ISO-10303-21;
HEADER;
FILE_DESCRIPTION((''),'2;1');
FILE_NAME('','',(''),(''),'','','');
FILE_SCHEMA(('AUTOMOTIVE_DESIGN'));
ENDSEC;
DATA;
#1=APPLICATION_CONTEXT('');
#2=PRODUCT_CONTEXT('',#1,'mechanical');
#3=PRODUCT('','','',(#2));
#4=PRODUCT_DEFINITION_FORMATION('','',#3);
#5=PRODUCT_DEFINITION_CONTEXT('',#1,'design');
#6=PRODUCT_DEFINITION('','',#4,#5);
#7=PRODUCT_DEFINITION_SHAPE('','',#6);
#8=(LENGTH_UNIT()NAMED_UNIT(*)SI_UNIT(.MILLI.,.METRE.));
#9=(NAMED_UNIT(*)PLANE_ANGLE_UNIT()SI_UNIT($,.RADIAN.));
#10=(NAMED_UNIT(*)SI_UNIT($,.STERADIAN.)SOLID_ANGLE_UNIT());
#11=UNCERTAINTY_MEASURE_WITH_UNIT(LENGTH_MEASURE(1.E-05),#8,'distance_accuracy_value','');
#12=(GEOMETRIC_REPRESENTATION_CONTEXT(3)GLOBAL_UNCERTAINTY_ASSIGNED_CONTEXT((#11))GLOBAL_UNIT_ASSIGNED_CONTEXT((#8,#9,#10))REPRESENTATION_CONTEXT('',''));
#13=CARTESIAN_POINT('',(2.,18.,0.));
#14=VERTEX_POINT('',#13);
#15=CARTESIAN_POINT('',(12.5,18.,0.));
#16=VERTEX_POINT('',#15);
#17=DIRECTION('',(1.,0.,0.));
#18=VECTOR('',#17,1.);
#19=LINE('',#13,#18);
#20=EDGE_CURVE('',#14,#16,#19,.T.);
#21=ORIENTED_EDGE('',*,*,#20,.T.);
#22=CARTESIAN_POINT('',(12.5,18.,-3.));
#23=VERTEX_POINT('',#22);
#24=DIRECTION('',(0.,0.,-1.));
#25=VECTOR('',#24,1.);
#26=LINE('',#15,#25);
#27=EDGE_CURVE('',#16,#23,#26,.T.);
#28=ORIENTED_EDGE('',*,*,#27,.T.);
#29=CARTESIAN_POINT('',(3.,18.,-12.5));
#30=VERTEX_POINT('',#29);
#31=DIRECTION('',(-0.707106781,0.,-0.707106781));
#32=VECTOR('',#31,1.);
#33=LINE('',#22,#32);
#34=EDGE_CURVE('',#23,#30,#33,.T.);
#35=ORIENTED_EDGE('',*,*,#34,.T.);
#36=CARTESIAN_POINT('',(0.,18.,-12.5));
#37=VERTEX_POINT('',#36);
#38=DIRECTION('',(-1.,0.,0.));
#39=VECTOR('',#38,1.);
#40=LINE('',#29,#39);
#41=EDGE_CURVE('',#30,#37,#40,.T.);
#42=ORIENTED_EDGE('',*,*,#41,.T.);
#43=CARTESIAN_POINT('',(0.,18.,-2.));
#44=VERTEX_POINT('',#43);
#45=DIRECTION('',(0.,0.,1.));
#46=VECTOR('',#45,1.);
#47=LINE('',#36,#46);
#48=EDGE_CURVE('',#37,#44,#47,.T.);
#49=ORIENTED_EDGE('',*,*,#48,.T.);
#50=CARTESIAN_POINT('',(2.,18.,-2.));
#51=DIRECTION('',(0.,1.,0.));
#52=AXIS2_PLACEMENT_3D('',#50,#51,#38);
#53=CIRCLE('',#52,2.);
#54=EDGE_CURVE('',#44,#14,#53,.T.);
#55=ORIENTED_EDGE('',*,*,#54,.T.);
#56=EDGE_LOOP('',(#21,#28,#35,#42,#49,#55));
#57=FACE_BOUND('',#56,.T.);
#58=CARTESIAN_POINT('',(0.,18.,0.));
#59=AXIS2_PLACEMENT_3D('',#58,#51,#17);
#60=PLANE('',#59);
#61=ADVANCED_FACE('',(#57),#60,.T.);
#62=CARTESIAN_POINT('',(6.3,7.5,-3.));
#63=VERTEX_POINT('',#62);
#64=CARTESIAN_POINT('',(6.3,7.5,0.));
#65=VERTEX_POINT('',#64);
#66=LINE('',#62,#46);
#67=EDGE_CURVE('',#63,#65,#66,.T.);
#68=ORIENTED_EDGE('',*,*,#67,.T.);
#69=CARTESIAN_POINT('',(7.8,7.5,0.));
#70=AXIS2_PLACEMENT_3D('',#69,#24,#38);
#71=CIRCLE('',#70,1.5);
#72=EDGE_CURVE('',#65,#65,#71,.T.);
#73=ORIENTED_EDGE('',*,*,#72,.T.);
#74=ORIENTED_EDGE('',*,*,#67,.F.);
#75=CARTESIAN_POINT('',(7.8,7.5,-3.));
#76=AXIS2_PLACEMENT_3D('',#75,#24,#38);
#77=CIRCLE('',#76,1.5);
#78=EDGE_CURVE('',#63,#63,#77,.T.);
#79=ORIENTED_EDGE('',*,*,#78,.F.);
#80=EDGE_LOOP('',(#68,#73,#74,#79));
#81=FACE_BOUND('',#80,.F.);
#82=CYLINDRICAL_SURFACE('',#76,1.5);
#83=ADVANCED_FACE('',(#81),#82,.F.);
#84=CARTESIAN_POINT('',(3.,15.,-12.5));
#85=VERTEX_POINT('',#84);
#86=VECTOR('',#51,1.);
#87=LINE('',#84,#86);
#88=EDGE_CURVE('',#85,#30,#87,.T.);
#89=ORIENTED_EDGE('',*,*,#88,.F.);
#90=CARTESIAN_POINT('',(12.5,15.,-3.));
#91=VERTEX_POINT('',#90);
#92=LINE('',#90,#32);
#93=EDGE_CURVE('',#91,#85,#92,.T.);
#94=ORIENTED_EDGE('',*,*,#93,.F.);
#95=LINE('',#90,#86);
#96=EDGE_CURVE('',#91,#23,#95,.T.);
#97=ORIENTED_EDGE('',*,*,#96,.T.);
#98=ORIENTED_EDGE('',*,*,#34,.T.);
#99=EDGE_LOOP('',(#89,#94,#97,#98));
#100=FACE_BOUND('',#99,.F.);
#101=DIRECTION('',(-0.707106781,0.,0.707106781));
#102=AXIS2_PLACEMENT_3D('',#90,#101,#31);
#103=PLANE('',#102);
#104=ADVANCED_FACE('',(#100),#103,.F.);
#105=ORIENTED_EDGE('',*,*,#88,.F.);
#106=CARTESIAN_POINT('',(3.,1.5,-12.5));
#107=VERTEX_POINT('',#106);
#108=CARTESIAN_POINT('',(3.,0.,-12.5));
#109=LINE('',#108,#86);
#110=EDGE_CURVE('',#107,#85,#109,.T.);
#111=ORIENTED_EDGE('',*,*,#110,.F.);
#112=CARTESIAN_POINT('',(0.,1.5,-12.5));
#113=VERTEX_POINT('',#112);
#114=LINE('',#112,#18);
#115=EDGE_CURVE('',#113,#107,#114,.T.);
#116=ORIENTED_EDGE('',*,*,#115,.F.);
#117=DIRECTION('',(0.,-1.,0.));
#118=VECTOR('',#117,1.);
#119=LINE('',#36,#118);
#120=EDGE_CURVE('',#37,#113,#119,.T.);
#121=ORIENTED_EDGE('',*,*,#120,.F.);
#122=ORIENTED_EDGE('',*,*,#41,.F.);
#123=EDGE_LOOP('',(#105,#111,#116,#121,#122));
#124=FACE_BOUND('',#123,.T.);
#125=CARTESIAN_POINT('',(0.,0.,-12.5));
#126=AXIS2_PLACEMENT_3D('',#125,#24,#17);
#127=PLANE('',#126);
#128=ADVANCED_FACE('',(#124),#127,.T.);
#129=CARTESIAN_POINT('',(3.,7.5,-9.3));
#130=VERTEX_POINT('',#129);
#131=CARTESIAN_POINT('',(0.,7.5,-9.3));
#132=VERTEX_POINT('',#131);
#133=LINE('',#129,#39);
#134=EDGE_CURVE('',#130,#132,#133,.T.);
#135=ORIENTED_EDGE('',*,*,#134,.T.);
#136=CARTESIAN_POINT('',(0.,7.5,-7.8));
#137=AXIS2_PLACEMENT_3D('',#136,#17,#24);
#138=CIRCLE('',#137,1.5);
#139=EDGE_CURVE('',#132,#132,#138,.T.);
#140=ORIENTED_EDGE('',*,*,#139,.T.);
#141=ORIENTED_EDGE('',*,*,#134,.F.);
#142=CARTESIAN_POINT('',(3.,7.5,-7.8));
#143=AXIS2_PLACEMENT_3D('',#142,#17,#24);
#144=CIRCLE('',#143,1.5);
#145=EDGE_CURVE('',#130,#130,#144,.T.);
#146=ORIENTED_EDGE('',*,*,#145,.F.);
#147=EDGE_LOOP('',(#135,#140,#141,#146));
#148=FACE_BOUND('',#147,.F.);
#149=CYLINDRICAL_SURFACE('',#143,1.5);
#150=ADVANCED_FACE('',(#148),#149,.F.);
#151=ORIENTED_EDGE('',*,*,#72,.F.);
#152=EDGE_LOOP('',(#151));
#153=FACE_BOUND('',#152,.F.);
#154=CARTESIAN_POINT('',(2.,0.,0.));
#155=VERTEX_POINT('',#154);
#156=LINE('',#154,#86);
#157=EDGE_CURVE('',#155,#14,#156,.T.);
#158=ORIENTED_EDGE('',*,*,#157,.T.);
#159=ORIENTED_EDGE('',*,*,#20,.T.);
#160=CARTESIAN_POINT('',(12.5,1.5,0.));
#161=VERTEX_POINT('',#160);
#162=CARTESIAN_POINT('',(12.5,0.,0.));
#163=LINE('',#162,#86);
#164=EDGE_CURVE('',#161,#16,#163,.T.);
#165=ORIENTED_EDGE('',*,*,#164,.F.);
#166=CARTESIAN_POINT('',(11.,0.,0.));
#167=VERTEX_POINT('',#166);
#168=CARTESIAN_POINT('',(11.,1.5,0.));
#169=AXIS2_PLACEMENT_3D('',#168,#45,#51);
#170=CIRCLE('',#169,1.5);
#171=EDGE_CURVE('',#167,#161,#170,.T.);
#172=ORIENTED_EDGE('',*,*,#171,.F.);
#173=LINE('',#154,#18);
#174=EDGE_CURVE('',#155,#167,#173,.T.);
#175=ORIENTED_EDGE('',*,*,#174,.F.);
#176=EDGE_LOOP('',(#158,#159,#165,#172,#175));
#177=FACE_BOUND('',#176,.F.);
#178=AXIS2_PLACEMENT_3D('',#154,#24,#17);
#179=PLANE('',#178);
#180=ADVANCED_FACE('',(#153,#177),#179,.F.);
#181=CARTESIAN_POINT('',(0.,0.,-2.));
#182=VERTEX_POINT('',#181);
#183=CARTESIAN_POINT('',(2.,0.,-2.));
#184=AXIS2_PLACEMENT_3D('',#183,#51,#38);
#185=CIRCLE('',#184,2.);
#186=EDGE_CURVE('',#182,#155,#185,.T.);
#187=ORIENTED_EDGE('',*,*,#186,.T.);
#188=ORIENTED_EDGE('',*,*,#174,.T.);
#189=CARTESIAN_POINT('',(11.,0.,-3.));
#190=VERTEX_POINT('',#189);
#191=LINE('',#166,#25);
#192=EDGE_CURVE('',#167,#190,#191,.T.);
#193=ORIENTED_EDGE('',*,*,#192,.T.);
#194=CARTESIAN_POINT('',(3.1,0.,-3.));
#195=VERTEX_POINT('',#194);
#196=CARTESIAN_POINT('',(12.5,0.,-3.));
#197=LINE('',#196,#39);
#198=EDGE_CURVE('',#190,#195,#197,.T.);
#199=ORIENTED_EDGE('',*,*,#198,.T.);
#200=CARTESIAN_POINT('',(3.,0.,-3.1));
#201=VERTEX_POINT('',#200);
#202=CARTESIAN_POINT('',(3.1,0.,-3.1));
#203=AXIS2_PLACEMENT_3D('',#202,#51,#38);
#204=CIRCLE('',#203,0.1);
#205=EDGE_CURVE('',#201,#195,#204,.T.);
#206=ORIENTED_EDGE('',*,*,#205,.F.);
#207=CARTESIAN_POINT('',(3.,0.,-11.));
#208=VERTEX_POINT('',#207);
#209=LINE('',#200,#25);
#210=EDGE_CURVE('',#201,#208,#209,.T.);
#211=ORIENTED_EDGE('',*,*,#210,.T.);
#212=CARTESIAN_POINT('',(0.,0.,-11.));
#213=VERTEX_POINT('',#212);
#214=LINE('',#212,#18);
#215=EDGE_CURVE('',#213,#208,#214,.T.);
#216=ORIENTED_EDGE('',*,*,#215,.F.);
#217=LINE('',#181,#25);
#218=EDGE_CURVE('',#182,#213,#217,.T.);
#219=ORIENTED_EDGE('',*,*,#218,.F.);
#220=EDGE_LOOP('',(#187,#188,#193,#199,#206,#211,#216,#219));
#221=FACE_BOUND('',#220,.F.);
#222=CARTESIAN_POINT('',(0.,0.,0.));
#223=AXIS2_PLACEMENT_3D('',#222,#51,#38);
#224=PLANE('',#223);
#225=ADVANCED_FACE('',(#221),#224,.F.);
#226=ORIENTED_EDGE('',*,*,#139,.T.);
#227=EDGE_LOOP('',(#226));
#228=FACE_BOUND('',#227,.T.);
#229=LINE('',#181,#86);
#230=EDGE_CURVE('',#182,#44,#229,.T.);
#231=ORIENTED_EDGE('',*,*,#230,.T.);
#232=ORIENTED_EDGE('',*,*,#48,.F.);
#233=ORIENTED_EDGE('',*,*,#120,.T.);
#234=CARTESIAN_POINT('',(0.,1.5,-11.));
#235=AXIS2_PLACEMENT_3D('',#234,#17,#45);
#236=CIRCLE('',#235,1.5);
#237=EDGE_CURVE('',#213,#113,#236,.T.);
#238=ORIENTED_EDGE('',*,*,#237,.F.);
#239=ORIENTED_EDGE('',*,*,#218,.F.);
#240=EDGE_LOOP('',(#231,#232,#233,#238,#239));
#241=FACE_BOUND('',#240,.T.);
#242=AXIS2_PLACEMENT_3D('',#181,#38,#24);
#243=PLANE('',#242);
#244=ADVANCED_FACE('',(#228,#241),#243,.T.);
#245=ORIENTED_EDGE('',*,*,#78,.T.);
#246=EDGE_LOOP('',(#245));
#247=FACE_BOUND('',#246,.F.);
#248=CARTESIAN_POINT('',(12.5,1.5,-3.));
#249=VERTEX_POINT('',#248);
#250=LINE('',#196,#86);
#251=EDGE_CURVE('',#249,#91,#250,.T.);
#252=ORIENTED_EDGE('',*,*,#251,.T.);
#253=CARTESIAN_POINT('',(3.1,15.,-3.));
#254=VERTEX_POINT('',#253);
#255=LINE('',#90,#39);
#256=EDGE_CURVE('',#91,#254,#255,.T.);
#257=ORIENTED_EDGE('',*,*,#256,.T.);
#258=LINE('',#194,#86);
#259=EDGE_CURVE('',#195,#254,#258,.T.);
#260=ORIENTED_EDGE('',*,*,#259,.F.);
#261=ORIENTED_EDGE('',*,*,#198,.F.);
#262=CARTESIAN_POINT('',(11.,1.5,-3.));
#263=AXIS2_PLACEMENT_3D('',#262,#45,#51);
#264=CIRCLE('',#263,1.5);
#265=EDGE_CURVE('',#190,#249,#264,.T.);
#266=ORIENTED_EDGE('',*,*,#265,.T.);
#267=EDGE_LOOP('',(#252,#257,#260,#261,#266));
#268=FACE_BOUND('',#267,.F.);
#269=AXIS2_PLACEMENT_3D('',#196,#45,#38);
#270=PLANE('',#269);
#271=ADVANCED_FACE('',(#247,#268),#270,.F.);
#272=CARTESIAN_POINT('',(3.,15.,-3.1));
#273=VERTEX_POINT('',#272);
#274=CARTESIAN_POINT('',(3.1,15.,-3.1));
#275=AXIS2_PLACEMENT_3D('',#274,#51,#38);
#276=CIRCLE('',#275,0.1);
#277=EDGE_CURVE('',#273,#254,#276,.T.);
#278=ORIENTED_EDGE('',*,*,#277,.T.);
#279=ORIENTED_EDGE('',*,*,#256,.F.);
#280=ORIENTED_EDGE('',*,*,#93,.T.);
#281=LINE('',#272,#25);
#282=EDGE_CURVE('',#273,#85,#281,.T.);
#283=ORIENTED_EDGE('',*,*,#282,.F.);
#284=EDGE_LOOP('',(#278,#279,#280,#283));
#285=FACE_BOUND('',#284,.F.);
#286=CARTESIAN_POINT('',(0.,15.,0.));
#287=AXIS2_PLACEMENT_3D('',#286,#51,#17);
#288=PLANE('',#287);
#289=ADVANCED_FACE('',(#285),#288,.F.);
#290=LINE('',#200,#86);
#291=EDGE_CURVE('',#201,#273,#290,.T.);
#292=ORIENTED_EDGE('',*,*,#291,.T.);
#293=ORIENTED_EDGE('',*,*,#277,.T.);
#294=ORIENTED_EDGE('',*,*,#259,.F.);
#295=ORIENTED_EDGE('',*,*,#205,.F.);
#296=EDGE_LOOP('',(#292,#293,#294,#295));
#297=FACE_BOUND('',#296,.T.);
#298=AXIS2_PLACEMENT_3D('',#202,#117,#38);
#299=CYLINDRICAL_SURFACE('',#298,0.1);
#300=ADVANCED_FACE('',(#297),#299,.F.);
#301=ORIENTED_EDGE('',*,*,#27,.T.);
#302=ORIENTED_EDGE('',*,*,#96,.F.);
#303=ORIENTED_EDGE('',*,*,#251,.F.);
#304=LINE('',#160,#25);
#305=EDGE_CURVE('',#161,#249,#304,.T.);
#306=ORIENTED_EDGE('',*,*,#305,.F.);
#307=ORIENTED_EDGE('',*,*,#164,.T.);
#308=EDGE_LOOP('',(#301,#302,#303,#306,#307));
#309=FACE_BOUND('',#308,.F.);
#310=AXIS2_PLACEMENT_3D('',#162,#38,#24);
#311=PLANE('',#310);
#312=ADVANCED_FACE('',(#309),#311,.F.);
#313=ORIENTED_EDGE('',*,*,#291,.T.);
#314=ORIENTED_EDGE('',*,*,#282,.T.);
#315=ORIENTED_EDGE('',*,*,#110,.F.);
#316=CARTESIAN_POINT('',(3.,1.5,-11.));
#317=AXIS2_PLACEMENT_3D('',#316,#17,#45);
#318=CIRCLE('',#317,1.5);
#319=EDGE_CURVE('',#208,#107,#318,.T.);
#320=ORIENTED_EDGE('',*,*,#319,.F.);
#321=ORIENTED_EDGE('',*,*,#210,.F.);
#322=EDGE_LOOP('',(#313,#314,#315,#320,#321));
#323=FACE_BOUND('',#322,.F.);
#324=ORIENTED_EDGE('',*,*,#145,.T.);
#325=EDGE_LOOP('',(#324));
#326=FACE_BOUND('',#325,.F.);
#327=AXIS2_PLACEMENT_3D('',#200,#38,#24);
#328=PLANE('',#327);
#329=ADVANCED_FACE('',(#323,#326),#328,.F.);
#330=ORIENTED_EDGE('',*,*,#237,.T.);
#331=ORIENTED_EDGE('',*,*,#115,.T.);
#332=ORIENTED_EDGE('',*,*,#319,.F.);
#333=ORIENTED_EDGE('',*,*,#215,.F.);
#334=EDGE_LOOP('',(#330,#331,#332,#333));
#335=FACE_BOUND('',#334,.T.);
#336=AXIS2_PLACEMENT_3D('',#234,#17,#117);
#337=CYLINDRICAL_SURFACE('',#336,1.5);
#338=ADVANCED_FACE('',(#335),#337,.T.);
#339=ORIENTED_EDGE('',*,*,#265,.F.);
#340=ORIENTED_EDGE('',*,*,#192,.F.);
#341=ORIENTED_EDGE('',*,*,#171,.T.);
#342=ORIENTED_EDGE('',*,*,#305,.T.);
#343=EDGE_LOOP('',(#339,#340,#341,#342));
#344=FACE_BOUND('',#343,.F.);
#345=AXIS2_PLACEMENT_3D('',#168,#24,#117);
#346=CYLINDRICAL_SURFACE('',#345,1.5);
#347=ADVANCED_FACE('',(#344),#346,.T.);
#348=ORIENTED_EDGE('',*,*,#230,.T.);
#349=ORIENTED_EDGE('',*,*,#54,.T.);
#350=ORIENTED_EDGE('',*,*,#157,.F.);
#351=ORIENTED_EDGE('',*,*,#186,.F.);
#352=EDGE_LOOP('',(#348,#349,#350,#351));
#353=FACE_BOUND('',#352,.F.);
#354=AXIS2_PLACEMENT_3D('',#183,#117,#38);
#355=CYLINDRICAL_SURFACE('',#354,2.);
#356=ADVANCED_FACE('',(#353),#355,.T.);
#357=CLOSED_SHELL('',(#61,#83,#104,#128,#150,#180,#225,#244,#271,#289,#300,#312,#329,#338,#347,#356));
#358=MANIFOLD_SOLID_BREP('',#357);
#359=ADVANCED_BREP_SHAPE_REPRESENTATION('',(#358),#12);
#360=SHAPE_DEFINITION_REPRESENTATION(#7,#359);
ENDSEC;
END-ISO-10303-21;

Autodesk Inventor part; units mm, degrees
ref_plane "YZ Plane" through (0, 0, 0) normal (1, 0, 0) x (0, 1, 0)
ref_plane "XZ Plane" through (0, 0, 0) normal (0, 1, 0) x (-1, 0, 0)
ref_plane "XY Plane" through (0, 0, 0) normal (0, 0, 1) x (1, 0, 0)
sketch "Sketch1" plane through (0, 0, 0) normal (0, 1, 0) x (-1, 0, 0)
  line L0 (0, -2) -> (0, -12.5)
  line L1 (0, -12.5) -> (-3, -12.5)
  line L2 (-2, 0) -> (-12.5, 0)
  line L3 (-12.5, 0) -> (-12.5, -3)
  line L4 (-12.5, -3) -> (-3.1, -3)
  line L5 (-3, -3.1) -> (-3, -12.5)
  line L6 (0, 0) -> (-12.1249, -12.1249) construction
  arc A0 (-3, -3.1) -> (-3.1, -3) centre (-3.1, -3.1) ccw
  arc A1 (0, -2) -> (-2, 0) centre (-2, -2) ccw
  line L7 (-15.0828, 0) -> (2.9971, 0) projected
  point P0 (-3, -3)
  dimension "d4" = 3
  dimension "d8" = 0.1
  dimension "d9" = 2
  dimension "d16" = 90
  dimension "d17" = 12.5
extrude "Extrusion1" add sketch "Sketch1" along normal blind 15
sketch "Sketch2" plane through (0, 15, 0) normal (0, 1, 0) x (1, 0, 0)
  line L0 (0, 12.5) -> (0, 2) projected
  line L1 (2, 0) -> (12.5, 0) projected
  line L2 (12.5, 0) -> (12.5, 3) projected
  line L3 (12.5, 3) -> (3.1, 3) projected
  line L4 (3, 3.1) -> (3, 12.5) projected
  line L5 (3, 12.5) -> (0, 12.5) projected
  line L6 (12.5, 3) -> (3, 12.5)
  arc A0 (0, 2) -> (2, 0) centre (2, 2) ccw projected
  arc A1 (3, 3.1) -> (3.1, 3) centre (3.1, 3.1) ccw projected
  point P0 (0, 0)
extrude "Extrusion2" add sketch "Sketch2" along normal blind 3
sketch "Sketch3" plane through (12.5, 0, -3) normal (0, 0, -1) x (-1, 0, 0)
  line L0 (0, 0) -> (9.4, 0) projected
  line L1 (0, 0) -> (0, 15) projected
  circle A0 centre (4.7, 7.5) radius 1.5
  line L2 (9.4, 0) -> (9.4, 15) projected
  line L3 (0, 15) -> (9.4, 15) projected
  point P0 (12.5, 0)
  point P1 (4.7, 0)
  point P2 (0, 7.5)
  dimension "d5" = 3
extrude "Extrusion3" cut sketch "Sketch3" against normal through all contours A0
sketch "Sketch5" plane through (3, 0, -12.5) normal (1, 0, 0) x (0, 0, -1)
  circle A0 centre (-4.7, 7.5) radius 1.5
  line L0 (-9.4, 0) -> (0, 0) projected
  line L1 (0, 0) -> (0, 15) projected
  line L2 (-9.4, 15) -> (0, 15) projected
  line L3 (-9.4, 0) -> (-9.4, 15) projected
  point P0 (-12.5, 0)
  point P1 (0, 7.5)
  dimension "d12" = 3
  dimension "d18" = 4.7
extrude "Extrusion4" cut sketch "Sketch5" against normal through all contours A0
fillet "Fillet1" radius 1.5 2 edges at (1.5, 0, -12.5) (12.5, 0, -1.5)
properties part number "EE_adapter_forOld"
